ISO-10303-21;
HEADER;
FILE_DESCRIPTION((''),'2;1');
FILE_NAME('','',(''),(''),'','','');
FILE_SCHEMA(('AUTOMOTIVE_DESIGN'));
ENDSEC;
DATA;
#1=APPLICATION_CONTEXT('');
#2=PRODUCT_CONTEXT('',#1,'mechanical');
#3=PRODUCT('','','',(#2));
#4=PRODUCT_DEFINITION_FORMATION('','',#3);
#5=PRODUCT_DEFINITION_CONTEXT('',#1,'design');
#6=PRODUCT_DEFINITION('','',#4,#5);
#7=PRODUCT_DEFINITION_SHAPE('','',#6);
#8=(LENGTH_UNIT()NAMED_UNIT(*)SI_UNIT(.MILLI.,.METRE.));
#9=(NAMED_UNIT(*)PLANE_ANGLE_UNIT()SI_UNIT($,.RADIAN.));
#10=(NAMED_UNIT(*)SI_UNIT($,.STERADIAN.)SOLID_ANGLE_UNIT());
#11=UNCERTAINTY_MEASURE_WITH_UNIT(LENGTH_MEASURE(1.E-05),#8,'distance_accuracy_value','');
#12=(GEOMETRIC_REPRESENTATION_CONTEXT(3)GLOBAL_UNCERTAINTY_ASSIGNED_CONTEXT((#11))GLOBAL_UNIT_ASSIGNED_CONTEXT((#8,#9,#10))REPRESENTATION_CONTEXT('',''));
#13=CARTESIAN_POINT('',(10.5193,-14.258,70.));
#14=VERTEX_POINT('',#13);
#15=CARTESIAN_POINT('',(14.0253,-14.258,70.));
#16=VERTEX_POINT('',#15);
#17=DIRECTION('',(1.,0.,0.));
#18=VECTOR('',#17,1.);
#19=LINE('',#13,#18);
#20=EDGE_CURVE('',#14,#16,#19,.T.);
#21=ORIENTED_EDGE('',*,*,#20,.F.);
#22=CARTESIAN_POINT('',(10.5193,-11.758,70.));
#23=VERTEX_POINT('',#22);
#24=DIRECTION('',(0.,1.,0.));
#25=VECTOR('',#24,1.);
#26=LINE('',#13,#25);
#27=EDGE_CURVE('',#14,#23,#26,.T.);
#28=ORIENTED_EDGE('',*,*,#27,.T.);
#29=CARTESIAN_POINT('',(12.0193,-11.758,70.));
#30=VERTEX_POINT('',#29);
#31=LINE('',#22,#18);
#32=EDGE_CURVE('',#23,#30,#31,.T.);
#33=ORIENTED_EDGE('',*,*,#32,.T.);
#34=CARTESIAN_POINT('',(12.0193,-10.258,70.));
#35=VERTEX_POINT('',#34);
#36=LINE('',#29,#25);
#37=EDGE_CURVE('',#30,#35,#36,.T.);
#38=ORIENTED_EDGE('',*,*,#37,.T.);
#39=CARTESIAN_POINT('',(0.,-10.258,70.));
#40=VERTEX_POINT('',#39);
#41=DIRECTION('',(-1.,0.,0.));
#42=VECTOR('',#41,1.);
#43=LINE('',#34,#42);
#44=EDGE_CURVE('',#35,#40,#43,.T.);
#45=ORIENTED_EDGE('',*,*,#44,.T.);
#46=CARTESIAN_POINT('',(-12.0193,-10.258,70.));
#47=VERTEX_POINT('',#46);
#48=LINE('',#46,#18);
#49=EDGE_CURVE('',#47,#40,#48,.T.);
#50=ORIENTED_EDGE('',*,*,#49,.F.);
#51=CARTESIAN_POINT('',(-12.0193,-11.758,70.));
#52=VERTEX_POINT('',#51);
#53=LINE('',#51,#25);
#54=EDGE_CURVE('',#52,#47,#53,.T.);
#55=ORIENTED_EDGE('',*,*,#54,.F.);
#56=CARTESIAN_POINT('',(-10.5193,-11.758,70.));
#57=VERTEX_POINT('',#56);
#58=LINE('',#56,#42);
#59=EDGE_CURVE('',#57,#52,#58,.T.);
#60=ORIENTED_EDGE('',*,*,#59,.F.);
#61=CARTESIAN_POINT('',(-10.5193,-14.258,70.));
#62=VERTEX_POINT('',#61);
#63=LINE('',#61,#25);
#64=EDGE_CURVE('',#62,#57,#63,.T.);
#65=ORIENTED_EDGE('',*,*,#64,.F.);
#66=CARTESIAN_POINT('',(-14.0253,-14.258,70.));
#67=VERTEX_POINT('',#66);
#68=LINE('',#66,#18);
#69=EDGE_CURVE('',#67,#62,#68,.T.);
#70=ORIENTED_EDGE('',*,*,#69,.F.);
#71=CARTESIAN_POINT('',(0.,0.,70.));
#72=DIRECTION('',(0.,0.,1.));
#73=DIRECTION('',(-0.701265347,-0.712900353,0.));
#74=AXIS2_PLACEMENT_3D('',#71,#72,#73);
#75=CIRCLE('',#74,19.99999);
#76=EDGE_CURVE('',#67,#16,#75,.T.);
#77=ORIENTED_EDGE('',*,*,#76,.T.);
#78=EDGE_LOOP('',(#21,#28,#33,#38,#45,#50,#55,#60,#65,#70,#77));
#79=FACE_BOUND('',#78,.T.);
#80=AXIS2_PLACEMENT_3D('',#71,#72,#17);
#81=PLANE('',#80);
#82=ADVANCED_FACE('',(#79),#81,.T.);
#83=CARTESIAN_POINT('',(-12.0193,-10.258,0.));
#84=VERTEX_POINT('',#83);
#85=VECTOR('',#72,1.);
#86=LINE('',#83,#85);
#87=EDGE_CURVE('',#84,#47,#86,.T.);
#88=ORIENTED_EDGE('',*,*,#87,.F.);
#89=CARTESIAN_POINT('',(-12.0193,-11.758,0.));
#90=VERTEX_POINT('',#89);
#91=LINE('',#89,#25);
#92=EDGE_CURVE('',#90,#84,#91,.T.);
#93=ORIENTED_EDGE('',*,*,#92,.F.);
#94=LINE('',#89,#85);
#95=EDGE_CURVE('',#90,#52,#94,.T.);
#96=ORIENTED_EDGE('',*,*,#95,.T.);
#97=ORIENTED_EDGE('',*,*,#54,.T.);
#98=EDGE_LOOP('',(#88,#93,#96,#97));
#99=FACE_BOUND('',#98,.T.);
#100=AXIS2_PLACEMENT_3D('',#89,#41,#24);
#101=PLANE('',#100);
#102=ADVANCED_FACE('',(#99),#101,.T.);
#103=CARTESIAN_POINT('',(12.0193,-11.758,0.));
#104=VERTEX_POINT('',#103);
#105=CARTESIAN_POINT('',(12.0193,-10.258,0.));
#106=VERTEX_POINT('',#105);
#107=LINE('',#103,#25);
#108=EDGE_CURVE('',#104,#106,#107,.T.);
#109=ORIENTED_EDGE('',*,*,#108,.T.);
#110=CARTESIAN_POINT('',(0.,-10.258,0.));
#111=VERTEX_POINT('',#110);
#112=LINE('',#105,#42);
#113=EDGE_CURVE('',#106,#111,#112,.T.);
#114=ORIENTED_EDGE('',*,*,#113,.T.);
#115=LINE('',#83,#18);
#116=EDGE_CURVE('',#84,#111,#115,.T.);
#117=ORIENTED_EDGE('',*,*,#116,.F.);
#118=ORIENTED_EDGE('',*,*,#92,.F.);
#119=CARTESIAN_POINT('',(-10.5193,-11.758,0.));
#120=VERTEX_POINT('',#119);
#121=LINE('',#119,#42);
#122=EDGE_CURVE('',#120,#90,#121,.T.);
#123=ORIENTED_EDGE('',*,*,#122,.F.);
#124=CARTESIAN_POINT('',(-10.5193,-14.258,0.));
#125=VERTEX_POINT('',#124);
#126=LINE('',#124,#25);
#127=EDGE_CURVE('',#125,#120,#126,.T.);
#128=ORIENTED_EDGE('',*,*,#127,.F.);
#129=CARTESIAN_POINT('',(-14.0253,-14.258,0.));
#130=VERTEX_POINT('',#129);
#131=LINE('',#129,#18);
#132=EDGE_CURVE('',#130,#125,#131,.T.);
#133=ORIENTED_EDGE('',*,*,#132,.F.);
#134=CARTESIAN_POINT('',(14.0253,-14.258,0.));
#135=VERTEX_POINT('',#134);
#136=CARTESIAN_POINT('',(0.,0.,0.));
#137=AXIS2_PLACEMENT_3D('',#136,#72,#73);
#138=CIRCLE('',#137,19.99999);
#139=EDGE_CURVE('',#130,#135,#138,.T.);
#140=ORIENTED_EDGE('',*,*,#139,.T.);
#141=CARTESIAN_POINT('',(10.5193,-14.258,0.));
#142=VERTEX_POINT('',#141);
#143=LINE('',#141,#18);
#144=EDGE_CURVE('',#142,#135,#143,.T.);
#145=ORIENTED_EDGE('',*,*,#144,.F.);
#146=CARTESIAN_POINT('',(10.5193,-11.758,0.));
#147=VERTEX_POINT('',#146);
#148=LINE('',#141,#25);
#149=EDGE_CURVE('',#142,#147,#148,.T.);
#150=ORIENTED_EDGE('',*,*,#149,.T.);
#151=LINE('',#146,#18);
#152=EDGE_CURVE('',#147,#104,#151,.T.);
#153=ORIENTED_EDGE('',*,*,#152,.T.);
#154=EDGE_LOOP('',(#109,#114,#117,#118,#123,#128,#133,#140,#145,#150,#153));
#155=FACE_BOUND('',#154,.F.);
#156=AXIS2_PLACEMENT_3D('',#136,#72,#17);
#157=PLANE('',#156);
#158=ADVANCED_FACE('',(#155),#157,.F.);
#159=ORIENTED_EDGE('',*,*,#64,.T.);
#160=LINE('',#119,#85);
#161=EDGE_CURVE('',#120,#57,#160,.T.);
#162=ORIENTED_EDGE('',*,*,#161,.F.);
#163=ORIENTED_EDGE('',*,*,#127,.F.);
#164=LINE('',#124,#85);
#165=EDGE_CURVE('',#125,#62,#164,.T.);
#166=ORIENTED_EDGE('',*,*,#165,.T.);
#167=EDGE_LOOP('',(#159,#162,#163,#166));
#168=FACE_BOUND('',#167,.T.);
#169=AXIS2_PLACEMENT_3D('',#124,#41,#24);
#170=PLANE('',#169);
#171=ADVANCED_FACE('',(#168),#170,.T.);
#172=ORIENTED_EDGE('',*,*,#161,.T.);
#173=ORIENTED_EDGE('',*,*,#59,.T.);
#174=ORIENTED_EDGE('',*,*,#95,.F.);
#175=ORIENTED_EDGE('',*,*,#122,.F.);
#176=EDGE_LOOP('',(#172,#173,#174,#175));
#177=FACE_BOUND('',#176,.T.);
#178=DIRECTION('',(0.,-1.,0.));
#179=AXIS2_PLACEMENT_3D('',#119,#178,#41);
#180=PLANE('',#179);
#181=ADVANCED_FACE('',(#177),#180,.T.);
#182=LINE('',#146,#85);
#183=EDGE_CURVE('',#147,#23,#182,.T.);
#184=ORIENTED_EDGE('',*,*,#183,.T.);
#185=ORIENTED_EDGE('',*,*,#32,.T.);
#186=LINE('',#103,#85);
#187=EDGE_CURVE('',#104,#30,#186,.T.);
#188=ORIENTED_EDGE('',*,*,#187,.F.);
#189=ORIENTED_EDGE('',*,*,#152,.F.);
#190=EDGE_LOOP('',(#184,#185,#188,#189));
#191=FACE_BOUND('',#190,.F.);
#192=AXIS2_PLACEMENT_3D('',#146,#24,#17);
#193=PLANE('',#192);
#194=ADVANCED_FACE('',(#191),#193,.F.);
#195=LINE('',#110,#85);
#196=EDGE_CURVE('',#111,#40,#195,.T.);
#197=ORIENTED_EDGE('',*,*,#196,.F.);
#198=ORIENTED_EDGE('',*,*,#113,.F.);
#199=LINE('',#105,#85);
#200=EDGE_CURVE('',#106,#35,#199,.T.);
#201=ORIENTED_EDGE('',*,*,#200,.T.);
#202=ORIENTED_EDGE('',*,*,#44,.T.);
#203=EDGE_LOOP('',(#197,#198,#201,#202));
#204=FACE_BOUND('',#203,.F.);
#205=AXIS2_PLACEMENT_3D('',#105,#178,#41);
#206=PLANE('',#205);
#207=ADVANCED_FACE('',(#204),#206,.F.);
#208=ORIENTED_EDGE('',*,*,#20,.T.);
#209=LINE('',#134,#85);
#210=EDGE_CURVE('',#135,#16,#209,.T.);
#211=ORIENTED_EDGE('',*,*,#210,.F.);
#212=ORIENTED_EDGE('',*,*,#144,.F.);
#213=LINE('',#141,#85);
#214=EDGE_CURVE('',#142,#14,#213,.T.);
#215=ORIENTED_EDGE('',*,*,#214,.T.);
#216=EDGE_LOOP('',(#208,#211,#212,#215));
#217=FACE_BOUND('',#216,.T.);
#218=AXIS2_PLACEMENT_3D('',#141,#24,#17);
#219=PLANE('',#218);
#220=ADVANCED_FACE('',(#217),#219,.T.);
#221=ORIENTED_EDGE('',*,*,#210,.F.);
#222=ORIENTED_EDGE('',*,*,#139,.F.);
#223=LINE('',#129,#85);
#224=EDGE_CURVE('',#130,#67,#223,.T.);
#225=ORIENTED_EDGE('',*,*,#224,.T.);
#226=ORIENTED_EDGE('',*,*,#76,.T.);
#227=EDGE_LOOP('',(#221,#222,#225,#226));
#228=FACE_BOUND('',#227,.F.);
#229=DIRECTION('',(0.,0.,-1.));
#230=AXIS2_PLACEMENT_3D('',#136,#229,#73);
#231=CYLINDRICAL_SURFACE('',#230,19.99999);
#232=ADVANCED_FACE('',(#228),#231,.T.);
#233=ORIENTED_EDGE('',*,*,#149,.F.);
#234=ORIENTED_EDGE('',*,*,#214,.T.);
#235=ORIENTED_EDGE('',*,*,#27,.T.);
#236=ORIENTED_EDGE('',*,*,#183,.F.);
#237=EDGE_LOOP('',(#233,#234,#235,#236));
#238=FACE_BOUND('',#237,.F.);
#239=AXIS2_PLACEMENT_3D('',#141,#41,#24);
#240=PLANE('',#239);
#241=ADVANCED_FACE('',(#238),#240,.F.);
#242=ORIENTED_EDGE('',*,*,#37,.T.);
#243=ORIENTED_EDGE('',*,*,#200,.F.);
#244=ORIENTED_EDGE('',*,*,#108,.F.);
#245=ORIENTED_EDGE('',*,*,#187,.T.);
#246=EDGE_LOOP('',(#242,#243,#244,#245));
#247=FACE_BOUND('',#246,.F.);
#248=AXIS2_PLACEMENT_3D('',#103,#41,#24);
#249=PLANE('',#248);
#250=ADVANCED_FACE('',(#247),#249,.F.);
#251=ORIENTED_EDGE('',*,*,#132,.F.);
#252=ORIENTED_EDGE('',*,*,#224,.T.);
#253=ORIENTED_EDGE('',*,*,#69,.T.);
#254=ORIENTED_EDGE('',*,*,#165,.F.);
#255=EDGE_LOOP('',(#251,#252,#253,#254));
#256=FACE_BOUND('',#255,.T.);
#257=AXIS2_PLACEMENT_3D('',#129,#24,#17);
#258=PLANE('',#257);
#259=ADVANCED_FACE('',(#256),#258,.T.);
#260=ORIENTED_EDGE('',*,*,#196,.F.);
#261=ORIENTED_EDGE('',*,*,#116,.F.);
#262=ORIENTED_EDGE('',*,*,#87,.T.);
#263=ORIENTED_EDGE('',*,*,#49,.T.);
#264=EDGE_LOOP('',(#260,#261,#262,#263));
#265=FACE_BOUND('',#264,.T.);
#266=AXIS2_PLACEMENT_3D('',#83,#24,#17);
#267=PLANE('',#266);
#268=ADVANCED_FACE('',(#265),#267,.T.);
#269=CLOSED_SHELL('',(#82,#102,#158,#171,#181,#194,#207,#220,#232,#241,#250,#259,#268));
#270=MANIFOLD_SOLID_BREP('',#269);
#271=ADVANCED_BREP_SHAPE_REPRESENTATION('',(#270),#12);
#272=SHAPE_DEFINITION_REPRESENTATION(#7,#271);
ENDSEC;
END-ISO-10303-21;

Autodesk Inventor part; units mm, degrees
ref_plane "YZ Plane" through (0, 0, 0) normal (1, 0, 0) x (0, 1, 0)
ref_plane "XZ Plane" through (0, 0, 0) normal (0, 1, 0) x (-1, 0, 0)
ref_plane "XY Plane" through (0, 0, 0) normal (0, 0, 1) x (1, 0, 0)
sketch "Эскиз1" plane through (0, 0, 0) normal (0, 0, 1) x (1, 0, 0)
  arc A0 (-14.0253, -14.258) -> (14.0253, -14.258) centre (0, 0) ccw
  line L0 (0, 0) -> (0, -20) construction
  line L1 (-10.5193, -14.258) -> (-10.5193, -11.758)
  line L2 (-10.5193, -11.758) -> (-12.0193, -11.758)
  line L3 (-12.0193, -11.758) -> (-12.0193, -10.258)
  line L4 (-12.0193, -10.258) -> (0, -10.258)
  line L5 (10.5193, -14.258) -> (10.5193, -11.758)
  line L6 (10.5193, -11.758) -> (12.0193, -11.758)
  line L7 (12.0193, -11.758) -> (12.0193, -10.258)
  line L8 (12.0193, -10.258) -> (0, -10.258)
  line L9 (-14.0253, -14.258) -> (-10.5193, -14.258)
  line L10 (10.5193, -14.258) -> (14.0253, -14.258)
  dimension "d0" = 40
  dimension "d2" = 2.5
  dimension "d3" = 1.5
  dimension "d4" = 1.5
  dimension "d5" = 3.506
extrude "Выдавливание1" add sketch "Эскиз1" along normal blind 70
properties part number "cap"
